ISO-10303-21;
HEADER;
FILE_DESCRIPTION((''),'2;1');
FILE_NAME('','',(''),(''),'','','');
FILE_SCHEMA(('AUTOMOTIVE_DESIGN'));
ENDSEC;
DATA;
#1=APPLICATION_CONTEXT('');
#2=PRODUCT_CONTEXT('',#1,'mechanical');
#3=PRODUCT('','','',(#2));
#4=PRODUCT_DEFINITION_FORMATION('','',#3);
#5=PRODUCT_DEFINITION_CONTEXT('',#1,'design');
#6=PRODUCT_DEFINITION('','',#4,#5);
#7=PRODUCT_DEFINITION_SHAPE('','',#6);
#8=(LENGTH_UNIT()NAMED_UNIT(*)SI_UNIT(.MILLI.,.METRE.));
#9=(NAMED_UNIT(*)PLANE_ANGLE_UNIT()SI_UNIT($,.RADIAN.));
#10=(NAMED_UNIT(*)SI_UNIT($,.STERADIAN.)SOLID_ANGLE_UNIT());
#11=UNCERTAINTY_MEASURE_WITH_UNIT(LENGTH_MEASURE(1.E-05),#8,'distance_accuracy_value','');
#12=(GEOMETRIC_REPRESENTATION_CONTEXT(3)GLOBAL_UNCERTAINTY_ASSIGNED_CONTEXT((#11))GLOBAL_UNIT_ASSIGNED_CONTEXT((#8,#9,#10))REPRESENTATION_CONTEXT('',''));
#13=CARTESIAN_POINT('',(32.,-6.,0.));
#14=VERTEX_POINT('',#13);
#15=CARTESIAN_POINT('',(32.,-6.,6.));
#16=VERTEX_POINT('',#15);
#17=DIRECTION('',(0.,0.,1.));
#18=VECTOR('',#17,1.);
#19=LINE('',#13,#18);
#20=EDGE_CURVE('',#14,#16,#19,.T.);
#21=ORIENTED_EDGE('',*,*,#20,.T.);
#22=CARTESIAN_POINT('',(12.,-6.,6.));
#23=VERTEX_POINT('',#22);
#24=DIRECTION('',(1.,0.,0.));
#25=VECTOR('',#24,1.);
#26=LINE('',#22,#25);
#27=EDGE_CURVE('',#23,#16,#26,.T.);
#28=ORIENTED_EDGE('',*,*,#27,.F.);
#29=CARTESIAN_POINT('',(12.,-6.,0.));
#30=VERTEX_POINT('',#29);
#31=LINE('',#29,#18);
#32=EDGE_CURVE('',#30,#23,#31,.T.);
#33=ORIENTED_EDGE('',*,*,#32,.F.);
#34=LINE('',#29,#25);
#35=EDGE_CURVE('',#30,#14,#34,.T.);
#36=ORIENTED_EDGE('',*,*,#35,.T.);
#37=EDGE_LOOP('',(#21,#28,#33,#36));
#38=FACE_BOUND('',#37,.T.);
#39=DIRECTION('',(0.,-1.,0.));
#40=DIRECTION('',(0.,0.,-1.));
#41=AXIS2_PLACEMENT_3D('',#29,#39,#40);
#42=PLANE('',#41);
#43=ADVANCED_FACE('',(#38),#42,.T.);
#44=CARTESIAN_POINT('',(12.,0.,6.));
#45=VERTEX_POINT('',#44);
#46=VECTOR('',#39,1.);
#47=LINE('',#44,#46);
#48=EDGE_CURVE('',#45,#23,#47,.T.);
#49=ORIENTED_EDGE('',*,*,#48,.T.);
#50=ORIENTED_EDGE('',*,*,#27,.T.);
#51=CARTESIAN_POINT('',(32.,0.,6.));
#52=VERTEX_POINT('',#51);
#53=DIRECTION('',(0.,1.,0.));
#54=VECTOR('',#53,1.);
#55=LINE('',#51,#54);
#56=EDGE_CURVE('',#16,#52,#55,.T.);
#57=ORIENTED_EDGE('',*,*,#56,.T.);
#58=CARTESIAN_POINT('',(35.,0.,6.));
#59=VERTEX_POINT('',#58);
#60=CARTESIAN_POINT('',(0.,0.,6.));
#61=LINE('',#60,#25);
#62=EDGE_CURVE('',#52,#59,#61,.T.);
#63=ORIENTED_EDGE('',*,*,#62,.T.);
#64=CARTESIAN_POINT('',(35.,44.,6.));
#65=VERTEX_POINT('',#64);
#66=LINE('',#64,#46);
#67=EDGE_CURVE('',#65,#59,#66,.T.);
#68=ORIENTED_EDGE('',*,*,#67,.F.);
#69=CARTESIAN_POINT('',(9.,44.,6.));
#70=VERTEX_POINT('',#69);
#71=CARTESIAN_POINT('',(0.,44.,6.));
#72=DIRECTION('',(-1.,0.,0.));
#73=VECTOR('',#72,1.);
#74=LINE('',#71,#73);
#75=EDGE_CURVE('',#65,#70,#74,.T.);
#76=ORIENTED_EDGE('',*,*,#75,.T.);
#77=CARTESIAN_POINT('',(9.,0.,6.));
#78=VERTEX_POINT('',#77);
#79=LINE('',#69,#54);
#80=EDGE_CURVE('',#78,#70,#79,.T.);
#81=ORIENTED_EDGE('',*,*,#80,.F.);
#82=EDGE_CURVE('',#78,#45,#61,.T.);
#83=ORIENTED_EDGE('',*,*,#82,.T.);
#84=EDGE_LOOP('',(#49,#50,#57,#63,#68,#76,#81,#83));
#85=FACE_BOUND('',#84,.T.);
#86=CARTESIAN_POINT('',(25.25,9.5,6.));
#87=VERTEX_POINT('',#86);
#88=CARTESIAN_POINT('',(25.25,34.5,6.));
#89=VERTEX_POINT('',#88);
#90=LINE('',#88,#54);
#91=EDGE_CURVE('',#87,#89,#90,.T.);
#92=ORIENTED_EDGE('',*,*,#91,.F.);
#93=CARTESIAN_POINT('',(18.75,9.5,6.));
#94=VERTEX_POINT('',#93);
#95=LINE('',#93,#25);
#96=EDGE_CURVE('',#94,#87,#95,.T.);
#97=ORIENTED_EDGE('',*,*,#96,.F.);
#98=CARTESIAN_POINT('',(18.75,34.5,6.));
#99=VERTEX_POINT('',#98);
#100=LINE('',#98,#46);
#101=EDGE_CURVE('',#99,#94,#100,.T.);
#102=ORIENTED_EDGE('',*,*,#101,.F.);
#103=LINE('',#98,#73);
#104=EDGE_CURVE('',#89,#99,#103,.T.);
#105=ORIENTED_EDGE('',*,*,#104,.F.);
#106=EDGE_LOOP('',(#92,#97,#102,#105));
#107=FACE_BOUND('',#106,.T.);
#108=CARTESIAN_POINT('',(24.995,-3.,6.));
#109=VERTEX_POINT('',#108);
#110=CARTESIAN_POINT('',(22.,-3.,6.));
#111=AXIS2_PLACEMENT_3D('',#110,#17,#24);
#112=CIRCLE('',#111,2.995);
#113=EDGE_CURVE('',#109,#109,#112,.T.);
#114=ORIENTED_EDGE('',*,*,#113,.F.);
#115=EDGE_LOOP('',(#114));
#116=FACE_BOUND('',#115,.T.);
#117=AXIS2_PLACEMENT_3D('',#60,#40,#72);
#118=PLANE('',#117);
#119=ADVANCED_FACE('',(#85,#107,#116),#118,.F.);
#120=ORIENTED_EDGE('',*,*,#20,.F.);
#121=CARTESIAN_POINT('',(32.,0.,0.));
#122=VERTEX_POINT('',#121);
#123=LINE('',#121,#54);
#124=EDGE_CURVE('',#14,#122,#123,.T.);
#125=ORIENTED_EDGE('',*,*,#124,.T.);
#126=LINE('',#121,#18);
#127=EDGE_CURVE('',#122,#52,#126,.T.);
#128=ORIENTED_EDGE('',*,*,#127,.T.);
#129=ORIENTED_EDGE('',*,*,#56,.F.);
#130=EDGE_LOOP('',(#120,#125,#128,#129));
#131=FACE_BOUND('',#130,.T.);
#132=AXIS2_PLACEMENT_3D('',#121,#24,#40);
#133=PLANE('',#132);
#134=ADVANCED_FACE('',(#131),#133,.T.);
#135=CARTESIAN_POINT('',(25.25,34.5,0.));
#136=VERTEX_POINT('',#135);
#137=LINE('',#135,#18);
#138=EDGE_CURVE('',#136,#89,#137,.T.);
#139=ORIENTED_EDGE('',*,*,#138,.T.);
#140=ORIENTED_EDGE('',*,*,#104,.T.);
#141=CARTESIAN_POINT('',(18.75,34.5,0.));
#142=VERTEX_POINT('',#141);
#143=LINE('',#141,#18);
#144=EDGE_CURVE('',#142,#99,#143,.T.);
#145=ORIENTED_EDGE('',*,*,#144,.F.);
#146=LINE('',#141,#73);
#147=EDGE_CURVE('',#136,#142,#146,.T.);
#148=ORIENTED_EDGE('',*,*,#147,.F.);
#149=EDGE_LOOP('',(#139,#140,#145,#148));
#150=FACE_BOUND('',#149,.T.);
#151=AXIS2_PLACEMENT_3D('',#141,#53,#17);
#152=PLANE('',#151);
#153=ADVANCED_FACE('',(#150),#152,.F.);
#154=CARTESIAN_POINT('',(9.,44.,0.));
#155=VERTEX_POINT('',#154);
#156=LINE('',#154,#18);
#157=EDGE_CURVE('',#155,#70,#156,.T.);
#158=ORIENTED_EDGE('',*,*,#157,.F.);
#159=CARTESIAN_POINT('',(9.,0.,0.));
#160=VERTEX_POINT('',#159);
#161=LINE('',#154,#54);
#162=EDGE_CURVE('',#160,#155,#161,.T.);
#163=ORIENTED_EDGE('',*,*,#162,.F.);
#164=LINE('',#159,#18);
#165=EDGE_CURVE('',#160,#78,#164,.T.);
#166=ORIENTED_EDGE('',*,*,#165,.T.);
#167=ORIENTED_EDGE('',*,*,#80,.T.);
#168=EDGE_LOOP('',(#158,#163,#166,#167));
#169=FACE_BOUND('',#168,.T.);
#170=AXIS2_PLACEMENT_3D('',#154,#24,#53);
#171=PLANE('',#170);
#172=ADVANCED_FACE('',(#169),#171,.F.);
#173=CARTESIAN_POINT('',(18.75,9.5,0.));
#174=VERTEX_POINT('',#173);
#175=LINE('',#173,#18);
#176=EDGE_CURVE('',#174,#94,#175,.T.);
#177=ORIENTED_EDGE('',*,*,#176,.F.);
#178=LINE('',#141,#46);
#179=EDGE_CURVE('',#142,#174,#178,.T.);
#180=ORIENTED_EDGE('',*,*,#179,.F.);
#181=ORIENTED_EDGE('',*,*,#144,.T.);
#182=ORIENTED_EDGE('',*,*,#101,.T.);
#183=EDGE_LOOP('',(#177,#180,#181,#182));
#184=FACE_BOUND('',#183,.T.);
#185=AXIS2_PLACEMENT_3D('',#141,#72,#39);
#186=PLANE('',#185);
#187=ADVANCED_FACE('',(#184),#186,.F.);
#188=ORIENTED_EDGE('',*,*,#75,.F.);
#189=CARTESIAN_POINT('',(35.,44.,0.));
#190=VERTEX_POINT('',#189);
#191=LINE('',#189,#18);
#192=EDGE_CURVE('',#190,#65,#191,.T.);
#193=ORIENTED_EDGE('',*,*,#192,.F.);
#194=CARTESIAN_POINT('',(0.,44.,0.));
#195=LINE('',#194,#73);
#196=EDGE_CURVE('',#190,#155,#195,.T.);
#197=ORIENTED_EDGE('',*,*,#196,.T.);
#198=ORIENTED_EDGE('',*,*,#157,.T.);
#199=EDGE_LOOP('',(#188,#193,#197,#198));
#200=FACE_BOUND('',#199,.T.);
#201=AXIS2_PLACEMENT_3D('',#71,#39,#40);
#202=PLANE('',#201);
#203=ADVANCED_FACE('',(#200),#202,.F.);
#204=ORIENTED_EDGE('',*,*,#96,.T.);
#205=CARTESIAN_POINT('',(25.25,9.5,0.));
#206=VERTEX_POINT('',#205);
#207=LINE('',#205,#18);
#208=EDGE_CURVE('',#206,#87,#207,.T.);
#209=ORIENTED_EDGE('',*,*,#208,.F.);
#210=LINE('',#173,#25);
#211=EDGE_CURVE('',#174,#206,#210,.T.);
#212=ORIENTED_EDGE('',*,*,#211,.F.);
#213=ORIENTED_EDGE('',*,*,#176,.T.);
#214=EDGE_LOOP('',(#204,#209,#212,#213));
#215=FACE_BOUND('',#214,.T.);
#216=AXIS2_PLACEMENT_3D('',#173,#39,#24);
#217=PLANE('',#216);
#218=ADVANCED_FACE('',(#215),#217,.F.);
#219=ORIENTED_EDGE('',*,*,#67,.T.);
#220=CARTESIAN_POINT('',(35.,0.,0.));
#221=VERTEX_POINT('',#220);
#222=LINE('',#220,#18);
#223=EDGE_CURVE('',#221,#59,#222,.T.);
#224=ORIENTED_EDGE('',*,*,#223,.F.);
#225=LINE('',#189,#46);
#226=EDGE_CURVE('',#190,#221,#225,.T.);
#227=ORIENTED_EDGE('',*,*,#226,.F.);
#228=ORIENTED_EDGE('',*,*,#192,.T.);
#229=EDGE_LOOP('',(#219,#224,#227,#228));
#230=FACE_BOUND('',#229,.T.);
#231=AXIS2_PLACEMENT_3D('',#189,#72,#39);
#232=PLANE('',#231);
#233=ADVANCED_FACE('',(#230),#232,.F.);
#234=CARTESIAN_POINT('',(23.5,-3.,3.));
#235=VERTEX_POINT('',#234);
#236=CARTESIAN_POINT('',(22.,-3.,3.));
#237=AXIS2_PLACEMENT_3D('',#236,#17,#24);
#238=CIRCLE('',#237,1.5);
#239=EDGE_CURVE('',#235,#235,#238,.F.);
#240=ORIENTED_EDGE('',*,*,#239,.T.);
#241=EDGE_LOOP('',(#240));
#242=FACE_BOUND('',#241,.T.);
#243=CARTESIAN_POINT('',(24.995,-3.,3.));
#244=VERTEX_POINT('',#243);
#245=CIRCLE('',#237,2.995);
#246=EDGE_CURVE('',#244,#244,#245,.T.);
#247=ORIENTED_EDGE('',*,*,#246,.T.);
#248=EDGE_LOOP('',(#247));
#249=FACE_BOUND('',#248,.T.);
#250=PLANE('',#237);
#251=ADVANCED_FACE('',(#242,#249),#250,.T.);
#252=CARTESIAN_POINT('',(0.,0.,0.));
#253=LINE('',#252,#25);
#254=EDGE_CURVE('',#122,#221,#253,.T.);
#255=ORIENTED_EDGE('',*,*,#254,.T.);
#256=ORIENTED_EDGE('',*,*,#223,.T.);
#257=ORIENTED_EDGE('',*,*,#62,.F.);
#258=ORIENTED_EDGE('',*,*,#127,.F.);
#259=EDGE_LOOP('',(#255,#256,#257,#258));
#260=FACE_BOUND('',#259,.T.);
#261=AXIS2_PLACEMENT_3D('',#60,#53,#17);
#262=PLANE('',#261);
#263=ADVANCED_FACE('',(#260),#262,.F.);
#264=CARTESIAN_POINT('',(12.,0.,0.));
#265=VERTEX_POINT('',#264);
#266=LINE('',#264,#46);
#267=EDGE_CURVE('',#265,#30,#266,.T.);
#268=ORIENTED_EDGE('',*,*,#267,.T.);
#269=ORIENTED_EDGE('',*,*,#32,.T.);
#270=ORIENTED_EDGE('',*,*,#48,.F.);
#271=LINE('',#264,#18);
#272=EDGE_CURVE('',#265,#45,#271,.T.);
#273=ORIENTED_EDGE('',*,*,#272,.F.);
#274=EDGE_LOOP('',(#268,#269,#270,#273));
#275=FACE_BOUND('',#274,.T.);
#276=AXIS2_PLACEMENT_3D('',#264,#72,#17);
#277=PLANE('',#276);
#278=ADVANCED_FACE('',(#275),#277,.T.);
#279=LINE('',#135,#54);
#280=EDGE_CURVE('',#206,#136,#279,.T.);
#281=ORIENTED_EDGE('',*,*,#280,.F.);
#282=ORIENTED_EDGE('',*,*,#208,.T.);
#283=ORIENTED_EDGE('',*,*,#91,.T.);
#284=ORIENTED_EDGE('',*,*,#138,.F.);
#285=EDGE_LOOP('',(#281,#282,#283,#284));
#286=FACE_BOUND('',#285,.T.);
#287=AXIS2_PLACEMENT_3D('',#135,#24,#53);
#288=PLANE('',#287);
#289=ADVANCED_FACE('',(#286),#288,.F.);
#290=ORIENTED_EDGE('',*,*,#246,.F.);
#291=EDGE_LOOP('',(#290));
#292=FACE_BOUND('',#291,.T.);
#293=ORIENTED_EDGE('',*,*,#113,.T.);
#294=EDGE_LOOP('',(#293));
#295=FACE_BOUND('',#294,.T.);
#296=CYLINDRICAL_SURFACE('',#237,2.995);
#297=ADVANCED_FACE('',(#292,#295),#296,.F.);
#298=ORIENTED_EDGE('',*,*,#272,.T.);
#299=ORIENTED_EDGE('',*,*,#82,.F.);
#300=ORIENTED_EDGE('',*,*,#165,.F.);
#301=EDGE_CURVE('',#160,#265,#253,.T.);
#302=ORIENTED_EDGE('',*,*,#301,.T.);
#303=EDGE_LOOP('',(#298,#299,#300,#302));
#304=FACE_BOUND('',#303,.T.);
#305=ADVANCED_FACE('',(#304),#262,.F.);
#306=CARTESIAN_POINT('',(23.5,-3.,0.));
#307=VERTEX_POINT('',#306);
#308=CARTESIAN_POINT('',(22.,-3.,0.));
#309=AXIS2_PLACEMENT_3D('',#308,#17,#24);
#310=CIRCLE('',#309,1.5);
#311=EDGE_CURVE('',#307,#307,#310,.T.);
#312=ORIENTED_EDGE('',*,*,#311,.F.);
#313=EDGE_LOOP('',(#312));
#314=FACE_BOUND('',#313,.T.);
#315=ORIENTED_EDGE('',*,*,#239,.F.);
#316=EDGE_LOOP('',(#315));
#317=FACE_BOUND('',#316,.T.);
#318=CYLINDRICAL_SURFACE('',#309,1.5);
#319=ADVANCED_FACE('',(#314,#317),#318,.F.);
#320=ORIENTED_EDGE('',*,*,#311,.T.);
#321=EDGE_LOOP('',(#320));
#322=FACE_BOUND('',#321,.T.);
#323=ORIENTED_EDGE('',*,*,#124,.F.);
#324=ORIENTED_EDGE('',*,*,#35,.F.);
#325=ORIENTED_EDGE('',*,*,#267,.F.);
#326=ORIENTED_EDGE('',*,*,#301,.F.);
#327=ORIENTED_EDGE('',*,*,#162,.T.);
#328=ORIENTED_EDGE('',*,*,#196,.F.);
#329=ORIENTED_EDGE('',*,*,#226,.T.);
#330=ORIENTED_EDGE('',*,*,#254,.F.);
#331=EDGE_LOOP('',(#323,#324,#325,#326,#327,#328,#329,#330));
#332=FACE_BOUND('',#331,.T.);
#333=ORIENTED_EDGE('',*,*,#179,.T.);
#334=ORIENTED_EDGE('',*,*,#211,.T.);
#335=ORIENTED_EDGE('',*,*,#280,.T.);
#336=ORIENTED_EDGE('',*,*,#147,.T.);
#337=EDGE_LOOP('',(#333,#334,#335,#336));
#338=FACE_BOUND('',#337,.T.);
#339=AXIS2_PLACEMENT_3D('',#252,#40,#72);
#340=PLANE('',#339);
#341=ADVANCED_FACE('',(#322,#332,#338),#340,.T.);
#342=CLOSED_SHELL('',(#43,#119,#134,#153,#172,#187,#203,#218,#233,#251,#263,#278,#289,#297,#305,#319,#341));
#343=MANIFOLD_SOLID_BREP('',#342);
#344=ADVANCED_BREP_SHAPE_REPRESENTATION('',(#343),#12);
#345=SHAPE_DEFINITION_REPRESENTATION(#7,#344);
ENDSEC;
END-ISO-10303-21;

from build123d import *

# Parameters (mm, degrees)
ESQUISSE1_W             = 44
ESQUISSE1_H             = 44
BOSS_EXTRU_1_DEPTH      = 6
ESQUISSE2_W             = 20
ESQUISSE2_H             = 6
BOSS_EXTRU_3_DEPTH      = 6
ESQUISSE3_W             = 6.5
ESQUISSE3_H             = 25
ENL_V_MAT_EXTRU_1_DEPTH = 6
ESQUISSE4_W             = 9
ESQUISSE4_H             = 44
ENL_V_MAT_EXTRU_2_DEPTH = 6
ESQUISSE5_R             = 1.5
ENL_V_MAT_EXTRU_3_DEPTH = 6
ESQUISSE6_R             = 2.995
ENL_V_MAT_EXTRU_4_DEPTH = 3


with BuildPart() as part:
    # Esquisse1 → Boss.-Extru.1 (new body)
    with BuildSketch(Plane.XY):
        with Locations((22, 22)):
            Rectangle(ESQUISSE1_W, ESQUISSE1_H)
    extrude(amount=BOSS_EXTRU_1_DEPTH)

    # Esquisse2 → Boss.-Extru.3 (add)
    with BuildSketch(Plane.XY.offset(6)):
        with Locations((22, -3)):
            Rectangle(ESQUISSE2_W, ESQUISSE2_H)
    extrude(amount=-BOSS_EXTRU_3_DEPTH)

    # Esquisse3 → Enlèv. mat.-Extru.1 (cut)
    with BuildSketch(Plane.XY.offset(6)):
        with Locations((22, 22)):
            Rectangle(ESQUISSE3_W, ESQUISSE3_H)
    extrude(amount=-ENL_V_MAT_EXTRU_1_DEPTH, mode=Mode.SUBTRACT)

    # Esquisse4 → Enlèv. mat.-Extru.2 (cut)
    with BuildSketch(Plane.XY.offset(6)):
        with Locations((4.5, 22)):
            Rectangle(ESQUISSE4_W, ESQUISSE4_H)
        with Locations((39.5, 22)):
            Rectangle(ESQUISSE4_W, ESQUISSE4_H)
    extrude(amount=-ENL_V_MAT_EXTRU_2_DEPTH, mode=Mode.SUBTRACT)

    # Esquisse5 → Enlèv. mat.-Extru.3 (cut)
    with BuildSketch(Plane.XY.offset(6)):
        with Locations((22, -3)):
            Circle(ESQUISSE5_R)
    extrude(amount=-ENL_V_MAT_EXTRU_3_DEPTH, mode=Mode.SUBTRACT)

    # Esquisse6 → Enlèv. mat.-Extru.4 (cut)
    with BuildSketch(Plane.XY.offset(6)):
        with Locations((22, -3)):
            Circle(ESQUISSE6_R)
    extrude(amount=-ENL_V_MAT_EXTRU_4_DEPTH, mode=Mode.SUBTRACT)


solid = part.part
